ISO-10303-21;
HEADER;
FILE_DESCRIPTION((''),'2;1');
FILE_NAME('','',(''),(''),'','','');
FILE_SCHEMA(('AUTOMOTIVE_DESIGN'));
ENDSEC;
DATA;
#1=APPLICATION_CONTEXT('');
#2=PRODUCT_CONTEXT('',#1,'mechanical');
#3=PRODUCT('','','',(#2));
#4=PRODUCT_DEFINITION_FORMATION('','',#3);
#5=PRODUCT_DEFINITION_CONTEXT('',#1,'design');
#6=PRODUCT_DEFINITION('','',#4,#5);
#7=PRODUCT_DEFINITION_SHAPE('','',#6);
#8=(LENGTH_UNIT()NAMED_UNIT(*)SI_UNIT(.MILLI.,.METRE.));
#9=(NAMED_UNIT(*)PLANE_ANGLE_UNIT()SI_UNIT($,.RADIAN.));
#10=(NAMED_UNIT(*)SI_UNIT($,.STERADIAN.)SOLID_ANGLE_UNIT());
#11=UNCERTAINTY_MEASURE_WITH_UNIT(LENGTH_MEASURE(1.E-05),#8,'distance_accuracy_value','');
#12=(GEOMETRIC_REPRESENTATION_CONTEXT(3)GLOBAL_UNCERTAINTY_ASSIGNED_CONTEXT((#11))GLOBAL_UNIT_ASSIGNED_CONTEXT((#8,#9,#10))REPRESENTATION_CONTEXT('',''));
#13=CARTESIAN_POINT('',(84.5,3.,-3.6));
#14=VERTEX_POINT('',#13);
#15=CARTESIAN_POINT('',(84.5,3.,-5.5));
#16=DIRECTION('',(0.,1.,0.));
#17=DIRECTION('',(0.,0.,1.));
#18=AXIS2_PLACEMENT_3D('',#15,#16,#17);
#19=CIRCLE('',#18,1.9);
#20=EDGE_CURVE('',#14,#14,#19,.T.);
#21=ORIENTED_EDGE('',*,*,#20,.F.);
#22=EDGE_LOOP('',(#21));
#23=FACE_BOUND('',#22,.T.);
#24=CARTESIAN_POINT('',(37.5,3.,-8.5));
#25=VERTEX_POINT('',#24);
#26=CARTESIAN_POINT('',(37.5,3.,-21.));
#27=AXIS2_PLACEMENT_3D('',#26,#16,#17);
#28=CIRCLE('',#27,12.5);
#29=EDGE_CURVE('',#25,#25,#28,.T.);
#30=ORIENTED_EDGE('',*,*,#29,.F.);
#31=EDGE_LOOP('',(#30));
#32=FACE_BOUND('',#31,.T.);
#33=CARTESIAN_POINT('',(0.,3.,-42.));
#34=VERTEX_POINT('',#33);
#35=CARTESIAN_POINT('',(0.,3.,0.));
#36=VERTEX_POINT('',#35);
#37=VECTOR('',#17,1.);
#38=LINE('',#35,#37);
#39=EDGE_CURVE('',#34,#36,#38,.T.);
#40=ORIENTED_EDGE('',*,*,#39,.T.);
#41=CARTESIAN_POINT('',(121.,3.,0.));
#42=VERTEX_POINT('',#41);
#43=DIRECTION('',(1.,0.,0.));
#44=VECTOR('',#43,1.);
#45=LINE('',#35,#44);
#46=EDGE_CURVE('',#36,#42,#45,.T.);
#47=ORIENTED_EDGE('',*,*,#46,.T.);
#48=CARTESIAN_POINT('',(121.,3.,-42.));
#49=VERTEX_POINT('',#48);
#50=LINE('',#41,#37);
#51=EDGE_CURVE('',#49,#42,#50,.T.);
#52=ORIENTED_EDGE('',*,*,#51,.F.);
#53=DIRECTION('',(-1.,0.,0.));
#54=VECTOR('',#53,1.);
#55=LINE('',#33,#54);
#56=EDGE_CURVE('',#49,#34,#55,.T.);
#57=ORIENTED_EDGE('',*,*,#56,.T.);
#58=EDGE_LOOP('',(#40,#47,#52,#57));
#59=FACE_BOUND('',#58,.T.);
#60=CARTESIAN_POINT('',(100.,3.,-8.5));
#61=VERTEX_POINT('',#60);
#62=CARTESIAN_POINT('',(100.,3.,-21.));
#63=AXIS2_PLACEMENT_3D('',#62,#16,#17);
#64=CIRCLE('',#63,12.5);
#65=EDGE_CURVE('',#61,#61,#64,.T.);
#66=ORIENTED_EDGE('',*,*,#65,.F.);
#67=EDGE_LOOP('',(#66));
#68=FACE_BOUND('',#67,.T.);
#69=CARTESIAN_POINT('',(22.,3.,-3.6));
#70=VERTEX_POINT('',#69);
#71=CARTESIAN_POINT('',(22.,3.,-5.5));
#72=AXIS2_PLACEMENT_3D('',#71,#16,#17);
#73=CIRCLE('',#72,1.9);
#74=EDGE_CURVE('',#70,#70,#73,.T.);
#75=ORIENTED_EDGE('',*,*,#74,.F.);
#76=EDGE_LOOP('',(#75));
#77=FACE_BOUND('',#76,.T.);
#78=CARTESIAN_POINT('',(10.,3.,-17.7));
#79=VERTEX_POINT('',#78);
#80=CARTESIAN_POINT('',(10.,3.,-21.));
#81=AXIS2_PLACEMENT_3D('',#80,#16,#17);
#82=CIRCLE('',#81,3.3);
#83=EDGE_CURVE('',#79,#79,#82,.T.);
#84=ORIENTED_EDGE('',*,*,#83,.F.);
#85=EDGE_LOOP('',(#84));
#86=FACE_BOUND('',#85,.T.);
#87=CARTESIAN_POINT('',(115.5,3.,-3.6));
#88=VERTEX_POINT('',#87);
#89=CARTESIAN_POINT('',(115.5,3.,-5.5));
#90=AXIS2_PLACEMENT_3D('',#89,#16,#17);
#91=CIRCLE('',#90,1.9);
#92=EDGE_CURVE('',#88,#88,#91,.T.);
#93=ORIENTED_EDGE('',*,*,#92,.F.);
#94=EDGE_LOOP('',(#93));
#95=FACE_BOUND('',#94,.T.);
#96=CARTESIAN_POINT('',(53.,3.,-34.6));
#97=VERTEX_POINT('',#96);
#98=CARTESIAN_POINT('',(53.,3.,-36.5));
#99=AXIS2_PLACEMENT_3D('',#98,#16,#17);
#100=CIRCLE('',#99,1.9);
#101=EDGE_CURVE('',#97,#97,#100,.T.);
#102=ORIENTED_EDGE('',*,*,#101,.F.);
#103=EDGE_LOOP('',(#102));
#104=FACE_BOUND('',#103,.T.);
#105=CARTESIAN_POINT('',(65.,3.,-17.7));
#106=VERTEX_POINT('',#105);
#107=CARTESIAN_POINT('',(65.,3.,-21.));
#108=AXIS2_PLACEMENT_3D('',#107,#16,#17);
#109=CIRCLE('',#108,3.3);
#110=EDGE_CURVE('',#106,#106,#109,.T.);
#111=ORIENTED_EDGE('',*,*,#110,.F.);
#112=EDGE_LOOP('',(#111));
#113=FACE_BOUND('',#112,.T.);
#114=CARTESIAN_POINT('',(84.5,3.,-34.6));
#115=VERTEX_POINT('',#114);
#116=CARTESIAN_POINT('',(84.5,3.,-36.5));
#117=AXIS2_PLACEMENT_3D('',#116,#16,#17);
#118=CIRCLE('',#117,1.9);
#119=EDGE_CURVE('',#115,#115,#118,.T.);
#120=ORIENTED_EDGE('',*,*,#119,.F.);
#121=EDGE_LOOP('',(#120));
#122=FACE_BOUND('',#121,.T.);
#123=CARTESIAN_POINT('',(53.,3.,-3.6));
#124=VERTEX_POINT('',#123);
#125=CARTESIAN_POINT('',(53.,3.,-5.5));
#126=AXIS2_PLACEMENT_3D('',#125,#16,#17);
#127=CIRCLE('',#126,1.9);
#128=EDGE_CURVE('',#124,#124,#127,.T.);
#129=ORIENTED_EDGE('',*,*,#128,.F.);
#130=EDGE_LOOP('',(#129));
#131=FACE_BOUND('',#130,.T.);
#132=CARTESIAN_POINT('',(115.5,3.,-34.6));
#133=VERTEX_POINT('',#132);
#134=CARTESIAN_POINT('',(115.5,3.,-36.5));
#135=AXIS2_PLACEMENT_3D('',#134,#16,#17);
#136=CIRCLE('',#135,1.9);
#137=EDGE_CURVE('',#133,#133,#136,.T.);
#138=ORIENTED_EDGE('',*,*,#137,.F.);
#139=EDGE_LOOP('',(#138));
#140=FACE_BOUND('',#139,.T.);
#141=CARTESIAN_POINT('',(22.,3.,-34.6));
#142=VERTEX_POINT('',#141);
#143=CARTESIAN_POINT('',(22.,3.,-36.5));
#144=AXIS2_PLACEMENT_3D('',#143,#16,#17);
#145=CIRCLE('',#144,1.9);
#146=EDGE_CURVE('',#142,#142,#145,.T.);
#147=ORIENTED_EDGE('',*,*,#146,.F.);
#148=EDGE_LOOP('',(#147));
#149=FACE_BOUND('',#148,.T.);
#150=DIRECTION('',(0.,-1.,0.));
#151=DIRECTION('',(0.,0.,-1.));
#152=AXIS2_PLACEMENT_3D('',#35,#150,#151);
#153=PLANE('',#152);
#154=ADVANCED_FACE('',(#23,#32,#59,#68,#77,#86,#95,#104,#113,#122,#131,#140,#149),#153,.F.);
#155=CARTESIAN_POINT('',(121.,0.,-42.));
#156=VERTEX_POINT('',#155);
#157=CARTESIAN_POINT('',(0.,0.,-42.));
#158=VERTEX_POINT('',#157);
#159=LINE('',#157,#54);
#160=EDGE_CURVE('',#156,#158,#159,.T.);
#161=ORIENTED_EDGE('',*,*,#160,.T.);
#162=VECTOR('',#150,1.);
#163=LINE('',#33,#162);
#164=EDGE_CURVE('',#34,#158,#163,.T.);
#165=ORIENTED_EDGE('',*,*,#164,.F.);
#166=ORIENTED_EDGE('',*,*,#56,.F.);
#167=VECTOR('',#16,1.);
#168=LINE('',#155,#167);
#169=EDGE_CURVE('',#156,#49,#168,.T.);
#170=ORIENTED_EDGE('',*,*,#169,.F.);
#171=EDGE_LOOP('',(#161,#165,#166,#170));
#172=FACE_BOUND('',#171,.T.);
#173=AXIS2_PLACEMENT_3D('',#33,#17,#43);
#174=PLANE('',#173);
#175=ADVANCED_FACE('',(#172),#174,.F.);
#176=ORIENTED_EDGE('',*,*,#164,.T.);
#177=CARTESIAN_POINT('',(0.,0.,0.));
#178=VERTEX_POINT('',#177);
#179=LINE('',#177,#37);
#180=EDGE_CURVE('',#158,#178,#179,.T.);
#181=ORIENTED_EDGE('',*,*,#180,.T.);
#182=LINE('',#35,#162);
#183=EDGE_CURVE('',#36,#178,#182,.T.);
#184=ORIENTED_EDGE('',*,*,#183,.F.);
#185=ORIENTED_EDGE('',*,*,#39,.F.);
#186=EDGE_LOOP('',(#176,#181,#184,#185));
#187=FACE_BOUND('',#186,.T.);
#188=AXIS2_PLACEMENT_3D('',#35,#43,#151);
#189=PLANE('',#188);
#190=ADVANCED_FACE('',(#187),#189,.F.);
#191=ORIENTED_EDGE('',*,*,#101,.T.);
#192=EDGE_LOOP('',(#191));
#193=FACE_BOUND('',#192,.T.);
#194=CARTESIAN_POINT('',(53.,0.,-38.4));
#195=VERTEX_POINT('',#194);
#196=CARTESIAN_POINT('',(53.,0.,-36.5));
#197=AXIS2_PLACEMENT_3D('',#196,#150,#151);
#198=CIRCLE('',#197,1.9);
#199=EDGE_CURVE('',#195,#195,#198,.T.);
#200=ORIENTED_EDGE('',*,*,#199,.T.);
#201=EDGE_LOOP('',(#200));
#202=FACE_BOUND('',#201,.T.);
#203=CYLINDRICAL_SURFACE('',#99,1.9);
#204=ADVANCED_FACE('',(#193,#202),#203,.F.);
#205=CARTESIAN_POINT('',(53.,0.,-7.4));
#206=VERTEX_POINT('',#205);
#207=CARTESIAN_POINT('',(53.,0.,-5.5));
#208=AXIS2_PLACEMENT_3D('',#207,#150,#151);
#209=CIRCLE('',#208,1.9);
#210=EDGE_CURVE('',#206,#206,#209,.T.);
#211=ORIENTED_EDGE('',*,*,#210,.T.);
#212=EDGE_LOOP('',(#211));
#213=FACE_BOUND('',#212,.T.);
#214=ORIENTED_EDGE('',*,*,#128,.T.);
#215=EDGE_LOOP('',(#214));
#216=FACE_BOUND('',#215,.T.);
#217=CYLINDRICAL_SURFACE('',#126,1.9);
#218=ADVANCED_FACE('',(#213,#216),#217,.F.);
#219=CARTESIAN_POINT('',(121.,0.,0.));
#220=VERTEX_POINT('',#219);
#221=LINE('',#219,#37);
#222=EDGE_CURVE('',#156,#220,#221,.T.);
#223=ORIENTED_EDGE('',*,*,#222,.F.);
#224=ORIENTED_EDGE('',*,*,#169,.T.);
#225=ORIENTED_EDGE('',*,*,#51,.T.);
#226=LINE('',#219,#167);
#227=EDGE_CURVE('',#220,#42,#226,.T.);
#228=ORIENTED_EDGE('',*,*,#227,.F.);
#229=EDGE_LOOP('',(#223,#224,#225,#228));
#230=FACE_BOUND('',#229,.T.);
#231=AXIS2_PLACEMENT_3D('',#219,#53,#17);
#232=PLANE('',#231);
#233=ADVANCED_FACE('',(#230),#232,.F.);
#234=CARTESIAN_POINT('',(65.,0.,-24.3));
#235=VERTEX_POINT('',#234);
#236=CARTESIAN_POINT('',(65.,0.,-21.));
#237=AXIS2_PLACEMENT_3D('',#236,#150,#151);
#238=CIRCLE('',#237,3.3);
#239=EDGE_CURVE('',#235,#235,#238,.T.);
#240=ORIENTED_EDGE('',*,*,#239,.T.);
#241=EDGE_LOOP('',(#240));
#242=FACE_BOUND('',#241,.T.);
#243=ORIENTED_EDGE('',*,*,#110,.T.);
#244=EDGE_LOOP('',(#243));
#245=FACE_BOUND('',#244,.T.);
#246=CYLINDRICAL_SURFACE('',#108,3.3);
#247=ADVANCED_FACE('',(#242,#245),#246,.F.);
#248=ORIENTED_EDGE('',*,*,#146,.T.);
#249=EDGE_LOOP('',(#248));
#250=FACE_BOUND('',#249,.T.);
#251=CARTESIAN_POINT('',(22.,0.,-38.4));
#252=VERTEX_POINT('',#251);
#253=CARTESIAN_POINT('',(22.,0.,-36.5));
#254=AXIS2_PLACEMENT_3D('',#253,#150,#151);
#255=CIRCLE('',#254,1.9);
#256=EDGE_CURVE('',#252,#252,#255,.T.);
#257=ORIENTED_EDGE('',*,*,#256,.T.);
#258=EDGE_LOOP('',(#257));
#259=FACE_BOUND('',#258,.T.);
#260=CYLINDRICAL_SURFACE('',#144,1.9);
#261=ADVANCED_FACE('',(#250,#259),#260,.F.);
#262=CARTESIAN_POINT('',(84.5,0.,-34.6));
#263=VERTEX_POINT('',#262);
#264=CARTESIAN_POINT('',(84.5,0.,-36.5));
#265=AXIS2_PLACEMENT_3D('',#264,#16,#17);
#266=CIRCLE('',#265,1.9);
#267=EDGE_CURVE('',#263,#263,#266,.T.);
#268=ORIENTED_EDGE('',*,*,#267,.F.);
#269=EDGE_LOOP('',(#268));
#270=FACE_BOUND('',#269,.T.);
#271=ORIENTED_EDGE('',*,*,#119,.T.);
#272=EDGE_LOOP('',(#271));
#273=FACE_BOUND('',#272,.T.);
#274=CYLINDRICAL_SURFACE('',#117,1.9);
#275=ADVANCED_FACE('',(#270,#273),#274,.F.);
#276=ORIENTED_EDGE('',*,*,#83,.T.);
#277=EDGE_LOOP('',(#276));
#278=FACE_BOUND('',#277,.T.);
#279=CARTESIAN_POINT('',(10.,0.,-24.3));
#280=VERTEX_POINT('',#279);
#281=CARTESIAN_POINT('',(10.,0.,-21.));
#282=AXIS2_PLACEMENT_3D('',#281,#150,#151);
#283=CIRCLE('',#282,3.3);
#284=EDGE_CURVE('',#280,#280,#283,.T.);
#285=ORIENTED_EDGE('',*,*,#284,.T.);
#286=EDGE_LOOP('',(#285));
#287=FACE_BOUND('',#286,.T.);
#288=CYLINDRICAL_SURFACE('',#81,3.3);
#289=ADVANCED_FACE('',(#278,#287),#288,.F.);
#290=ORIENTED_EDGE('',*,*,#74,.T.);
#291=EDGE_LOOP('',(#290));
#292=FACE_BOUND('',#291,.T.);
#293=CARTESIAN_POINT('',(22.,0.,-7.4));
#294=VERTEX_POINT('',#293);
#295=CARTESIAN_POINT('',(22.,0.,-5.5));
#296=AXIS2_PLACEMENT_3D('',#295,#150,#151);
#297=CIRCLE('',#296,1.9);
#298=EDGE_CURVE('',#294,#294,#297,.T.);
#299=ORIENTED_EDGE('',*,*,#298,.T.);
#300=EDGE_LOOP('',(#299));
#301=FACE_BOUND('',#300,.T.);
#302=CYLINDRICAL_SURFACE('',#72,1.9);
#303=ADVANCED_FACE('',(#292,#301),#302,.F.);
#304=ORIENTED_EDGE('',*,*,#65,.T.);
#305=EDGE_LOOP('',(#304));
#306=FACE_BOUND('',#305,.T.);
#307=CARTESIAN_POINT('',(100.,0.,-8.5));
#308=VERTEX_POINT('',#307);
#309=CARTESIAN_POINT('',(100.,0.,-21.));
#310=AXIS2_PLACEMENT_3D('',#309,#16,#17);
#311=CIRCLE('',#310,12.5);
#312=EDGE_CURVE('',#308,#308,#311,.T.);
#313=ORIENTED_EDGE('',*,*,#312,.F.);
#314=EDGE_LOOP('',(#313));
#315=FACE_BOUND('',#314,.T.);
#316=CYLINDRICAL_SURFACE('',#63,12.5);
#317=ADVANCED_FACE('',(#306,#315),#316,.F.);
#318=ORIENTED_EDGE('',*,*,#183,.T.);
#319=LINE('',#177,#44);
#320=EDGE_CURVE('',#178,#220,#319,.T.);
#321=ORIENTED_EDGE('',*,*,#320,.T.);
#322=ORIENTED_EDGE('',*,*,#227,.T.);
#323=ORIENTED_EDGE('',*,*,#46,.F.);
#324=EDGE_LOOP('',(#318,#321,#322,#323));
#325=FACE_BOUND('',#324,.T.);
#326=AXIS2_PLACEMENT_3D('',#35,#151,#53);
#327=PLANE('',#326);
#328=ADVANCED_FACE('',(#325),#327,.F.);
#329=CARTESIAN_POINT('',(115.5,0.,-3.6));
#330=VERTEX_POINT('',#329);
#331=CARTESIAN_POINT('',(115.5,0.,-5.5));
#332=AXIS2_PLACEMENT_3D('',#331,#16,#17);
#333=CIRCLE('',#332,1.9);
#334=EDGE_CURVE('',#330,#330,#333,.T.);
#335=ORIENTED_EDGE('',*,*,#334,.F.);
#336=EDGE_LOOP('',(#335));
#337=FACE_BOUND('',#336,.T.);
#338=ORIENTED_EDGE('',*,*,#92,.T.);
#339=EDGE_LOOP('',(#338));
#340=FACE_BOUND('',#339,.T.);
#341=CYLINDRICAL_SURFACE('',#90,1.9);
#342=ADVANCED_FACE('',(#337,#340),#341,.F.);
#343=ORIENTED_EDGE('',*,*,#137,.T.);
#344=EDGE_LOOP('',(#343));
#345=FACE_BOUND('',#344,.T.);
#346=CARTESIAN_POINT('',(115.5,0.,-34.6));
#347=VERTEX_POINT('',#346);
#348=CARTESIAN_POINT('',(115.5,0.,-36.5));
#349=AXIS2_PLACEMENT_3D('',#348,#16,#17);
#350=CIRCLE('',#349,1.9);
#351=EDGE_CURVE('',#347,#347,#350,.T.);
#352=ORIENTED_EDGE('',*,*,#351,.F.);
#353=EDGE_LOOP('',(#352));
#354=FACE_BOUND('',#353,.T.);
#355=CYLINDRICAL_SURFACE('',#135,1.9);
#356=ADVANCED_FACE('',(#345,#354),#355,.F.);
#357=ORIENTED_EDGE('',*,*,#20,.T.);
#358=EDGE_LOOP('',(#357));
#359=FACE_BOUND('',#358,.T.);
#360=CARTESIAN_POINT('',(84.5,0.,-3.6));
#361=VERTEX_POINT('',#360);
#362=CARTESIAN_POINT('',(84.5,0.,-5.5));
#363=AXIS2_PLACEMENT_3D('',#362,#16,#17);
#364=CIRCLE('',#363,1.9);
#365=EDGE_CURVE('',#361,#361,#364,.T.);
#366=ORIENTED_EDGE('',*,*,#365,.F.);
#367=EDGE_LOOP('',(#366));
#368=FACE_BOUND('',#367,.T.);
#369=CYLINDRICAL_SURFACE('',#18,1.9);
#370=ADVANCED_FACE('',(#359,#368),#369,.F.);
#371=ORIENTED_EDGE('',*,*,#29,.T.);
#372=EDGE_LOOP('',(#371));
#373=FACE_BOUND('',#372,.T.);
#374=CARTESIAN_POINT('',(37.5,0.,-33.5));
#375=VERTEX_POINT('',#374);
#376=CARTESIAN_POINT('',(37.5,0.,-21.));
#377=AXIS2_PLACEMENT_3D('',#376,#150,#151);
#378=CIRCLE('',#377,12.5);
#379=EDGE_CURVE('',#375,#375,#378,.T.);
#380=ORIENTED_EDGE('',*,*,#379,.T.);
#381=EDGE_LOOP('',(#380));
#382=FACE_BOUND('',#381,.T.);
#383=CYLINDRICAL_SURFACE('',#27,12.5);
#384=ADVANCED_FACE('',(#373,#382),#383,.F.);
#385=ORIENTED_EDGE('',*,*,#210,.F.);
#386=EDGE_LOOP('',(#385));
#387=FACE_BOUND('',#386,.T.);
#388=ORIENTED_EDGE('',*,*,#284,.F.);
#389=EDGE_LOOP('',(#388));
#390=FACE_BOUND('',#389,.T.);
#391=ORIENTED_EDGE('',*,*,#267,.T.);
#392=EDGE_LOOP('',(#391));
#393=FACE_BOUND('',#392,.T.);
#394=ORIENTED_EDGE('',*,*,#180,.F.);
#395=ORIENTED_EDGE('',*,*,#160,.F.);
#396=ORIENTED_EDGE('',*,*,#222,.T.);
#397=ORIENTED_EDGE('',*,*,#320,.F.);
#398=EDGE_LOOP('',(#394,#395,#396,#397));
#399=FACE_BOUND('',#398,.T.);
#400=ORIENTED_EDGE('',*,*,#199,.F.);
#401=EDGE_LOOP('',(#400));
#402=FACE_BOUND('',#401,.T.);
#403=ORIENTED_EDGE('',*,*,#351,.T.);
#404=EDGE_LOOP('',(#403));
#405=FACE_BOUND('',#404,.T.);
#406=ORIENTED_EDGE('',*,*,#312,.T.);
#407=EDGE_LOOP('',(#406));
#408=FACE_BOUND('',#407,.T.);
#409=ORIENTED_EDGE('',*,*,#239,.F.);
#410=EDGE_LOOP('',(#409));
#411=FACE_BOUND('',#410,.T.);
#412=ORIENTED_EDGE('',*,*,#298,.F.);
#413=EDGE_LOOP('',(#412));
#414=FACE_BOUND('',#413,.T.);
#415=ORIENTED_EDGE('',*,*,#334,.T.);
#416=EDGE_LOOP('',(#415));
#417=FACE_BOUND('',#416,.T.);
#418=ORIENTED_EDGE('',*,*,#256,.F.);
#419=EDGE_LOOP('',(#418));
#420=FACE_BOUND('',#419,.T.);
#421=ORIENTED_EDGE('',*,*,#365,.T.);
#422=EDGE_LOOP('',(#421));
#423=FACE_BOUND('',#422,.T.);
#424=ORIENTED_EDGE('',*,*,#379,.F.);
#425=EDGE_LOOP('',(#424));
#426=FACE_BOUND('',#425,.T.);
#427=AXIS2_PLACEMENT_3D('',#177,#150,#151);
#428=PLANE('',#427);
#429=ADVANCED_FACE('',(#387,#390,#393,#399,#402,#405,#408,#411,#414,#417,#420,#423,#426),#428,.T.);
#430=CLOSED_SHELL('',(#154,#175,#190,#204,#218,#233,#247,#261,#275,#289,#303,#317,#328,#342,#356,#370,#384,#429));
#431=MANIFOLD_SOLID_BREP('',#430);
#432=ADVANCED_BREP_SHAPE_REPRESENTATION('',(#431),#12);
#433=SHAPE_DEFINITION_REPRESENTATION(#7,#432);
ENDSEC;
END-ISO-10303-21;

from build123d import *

# Parameters (mm, degrees)
SKETCH_1_W      = 75
SKETCH_1_H      = 42
EXTRUDE_1_DEPTH = 3
HOLE_WIZARD_1_D = 3.8
HOLE_WIZARD_2_D = 6.6
HOLE_WIZARD_3_D = 25
EXTRUDE_2_DEPTH = 3
HOLE_WIZARD_4_D = 3.8
HOLE_WIZARD_5_D = 25


with BuildPart() as part:
    # 草图1 → 凸台-拉伸1 (new body)
    with BuildSketch(Plane(origin=(0, 0, 0), x_dir=(1, 0, 0), z_dir=(0, 1, 0))):
        with Locations((37.5, 21)):
            Rectangle(SKETCH_1_W, SKETCH_1_H)
    extrude(amount=EXTRUDE_1_DEPTH)

    # 孔1 (through all)
    with Locations(Plane(origin=(0, 3, 0), x_dir=(1, 0, 0), z_dir=(0, 1, 0))):
        with Locations((22, 36.5), (53, 36.5), (53, 5.5), (22, 5.5)):
            Hole(HOLE_WIZARD_1_D / 2)

    # 孔2 (through all)
    with Locations(Plane(origin=(0, 3, 0), x_dir=(1, 0, 0), z_dir=(0, 1, 0))):
        with Locations((10, 21), (65, 21)):
            Hole(HOLE_WIZARD_2_D / 2)

    # 孔3 (through all)
    with Locations(Plane(origin=(0, 3, 0), x_dir=(1, 0, 0), z_dir=(0, 1, 0))):
        with Locations((37.5, 21)):
            Hole(HOLE_WIZARD_3_D / 2)

    # 草图9 → 凸台-拉伸2 (add)
    with BuildSketch(Plane(origin=(0, 3, 0), x_dir=(1, 0, 0), z_dir=(0, 1, 0))):
        Polygon((121, 42), (75, 42), (75, 21), (75, 0), (121, 0), align=None)
    extrude(amount=-EXTRUDE_2_DEPTH)

    # 孔4 (through all)
    with Locations(Plane(origin=(0, 3, 0), x_dir=(1, 0, 0), z_dir=(0, 1, 0))):
        with Locations((84.5, 36.5), (115.5, 36.5), (115.5, 5.5), (84.5, 5.5)):
            Hole(HOLE_WIZARD_4_D / 2)

    # 孔5 (through all)
    with Locations(Plane(origin=(0, 3, 0), x_dir=(1, 0, 0), z_dir=(0, 1, 0))):
        with Locations((100, 21)):
            Hole(HOLE_WIZARD_5_D / 2)


solid = part.part
